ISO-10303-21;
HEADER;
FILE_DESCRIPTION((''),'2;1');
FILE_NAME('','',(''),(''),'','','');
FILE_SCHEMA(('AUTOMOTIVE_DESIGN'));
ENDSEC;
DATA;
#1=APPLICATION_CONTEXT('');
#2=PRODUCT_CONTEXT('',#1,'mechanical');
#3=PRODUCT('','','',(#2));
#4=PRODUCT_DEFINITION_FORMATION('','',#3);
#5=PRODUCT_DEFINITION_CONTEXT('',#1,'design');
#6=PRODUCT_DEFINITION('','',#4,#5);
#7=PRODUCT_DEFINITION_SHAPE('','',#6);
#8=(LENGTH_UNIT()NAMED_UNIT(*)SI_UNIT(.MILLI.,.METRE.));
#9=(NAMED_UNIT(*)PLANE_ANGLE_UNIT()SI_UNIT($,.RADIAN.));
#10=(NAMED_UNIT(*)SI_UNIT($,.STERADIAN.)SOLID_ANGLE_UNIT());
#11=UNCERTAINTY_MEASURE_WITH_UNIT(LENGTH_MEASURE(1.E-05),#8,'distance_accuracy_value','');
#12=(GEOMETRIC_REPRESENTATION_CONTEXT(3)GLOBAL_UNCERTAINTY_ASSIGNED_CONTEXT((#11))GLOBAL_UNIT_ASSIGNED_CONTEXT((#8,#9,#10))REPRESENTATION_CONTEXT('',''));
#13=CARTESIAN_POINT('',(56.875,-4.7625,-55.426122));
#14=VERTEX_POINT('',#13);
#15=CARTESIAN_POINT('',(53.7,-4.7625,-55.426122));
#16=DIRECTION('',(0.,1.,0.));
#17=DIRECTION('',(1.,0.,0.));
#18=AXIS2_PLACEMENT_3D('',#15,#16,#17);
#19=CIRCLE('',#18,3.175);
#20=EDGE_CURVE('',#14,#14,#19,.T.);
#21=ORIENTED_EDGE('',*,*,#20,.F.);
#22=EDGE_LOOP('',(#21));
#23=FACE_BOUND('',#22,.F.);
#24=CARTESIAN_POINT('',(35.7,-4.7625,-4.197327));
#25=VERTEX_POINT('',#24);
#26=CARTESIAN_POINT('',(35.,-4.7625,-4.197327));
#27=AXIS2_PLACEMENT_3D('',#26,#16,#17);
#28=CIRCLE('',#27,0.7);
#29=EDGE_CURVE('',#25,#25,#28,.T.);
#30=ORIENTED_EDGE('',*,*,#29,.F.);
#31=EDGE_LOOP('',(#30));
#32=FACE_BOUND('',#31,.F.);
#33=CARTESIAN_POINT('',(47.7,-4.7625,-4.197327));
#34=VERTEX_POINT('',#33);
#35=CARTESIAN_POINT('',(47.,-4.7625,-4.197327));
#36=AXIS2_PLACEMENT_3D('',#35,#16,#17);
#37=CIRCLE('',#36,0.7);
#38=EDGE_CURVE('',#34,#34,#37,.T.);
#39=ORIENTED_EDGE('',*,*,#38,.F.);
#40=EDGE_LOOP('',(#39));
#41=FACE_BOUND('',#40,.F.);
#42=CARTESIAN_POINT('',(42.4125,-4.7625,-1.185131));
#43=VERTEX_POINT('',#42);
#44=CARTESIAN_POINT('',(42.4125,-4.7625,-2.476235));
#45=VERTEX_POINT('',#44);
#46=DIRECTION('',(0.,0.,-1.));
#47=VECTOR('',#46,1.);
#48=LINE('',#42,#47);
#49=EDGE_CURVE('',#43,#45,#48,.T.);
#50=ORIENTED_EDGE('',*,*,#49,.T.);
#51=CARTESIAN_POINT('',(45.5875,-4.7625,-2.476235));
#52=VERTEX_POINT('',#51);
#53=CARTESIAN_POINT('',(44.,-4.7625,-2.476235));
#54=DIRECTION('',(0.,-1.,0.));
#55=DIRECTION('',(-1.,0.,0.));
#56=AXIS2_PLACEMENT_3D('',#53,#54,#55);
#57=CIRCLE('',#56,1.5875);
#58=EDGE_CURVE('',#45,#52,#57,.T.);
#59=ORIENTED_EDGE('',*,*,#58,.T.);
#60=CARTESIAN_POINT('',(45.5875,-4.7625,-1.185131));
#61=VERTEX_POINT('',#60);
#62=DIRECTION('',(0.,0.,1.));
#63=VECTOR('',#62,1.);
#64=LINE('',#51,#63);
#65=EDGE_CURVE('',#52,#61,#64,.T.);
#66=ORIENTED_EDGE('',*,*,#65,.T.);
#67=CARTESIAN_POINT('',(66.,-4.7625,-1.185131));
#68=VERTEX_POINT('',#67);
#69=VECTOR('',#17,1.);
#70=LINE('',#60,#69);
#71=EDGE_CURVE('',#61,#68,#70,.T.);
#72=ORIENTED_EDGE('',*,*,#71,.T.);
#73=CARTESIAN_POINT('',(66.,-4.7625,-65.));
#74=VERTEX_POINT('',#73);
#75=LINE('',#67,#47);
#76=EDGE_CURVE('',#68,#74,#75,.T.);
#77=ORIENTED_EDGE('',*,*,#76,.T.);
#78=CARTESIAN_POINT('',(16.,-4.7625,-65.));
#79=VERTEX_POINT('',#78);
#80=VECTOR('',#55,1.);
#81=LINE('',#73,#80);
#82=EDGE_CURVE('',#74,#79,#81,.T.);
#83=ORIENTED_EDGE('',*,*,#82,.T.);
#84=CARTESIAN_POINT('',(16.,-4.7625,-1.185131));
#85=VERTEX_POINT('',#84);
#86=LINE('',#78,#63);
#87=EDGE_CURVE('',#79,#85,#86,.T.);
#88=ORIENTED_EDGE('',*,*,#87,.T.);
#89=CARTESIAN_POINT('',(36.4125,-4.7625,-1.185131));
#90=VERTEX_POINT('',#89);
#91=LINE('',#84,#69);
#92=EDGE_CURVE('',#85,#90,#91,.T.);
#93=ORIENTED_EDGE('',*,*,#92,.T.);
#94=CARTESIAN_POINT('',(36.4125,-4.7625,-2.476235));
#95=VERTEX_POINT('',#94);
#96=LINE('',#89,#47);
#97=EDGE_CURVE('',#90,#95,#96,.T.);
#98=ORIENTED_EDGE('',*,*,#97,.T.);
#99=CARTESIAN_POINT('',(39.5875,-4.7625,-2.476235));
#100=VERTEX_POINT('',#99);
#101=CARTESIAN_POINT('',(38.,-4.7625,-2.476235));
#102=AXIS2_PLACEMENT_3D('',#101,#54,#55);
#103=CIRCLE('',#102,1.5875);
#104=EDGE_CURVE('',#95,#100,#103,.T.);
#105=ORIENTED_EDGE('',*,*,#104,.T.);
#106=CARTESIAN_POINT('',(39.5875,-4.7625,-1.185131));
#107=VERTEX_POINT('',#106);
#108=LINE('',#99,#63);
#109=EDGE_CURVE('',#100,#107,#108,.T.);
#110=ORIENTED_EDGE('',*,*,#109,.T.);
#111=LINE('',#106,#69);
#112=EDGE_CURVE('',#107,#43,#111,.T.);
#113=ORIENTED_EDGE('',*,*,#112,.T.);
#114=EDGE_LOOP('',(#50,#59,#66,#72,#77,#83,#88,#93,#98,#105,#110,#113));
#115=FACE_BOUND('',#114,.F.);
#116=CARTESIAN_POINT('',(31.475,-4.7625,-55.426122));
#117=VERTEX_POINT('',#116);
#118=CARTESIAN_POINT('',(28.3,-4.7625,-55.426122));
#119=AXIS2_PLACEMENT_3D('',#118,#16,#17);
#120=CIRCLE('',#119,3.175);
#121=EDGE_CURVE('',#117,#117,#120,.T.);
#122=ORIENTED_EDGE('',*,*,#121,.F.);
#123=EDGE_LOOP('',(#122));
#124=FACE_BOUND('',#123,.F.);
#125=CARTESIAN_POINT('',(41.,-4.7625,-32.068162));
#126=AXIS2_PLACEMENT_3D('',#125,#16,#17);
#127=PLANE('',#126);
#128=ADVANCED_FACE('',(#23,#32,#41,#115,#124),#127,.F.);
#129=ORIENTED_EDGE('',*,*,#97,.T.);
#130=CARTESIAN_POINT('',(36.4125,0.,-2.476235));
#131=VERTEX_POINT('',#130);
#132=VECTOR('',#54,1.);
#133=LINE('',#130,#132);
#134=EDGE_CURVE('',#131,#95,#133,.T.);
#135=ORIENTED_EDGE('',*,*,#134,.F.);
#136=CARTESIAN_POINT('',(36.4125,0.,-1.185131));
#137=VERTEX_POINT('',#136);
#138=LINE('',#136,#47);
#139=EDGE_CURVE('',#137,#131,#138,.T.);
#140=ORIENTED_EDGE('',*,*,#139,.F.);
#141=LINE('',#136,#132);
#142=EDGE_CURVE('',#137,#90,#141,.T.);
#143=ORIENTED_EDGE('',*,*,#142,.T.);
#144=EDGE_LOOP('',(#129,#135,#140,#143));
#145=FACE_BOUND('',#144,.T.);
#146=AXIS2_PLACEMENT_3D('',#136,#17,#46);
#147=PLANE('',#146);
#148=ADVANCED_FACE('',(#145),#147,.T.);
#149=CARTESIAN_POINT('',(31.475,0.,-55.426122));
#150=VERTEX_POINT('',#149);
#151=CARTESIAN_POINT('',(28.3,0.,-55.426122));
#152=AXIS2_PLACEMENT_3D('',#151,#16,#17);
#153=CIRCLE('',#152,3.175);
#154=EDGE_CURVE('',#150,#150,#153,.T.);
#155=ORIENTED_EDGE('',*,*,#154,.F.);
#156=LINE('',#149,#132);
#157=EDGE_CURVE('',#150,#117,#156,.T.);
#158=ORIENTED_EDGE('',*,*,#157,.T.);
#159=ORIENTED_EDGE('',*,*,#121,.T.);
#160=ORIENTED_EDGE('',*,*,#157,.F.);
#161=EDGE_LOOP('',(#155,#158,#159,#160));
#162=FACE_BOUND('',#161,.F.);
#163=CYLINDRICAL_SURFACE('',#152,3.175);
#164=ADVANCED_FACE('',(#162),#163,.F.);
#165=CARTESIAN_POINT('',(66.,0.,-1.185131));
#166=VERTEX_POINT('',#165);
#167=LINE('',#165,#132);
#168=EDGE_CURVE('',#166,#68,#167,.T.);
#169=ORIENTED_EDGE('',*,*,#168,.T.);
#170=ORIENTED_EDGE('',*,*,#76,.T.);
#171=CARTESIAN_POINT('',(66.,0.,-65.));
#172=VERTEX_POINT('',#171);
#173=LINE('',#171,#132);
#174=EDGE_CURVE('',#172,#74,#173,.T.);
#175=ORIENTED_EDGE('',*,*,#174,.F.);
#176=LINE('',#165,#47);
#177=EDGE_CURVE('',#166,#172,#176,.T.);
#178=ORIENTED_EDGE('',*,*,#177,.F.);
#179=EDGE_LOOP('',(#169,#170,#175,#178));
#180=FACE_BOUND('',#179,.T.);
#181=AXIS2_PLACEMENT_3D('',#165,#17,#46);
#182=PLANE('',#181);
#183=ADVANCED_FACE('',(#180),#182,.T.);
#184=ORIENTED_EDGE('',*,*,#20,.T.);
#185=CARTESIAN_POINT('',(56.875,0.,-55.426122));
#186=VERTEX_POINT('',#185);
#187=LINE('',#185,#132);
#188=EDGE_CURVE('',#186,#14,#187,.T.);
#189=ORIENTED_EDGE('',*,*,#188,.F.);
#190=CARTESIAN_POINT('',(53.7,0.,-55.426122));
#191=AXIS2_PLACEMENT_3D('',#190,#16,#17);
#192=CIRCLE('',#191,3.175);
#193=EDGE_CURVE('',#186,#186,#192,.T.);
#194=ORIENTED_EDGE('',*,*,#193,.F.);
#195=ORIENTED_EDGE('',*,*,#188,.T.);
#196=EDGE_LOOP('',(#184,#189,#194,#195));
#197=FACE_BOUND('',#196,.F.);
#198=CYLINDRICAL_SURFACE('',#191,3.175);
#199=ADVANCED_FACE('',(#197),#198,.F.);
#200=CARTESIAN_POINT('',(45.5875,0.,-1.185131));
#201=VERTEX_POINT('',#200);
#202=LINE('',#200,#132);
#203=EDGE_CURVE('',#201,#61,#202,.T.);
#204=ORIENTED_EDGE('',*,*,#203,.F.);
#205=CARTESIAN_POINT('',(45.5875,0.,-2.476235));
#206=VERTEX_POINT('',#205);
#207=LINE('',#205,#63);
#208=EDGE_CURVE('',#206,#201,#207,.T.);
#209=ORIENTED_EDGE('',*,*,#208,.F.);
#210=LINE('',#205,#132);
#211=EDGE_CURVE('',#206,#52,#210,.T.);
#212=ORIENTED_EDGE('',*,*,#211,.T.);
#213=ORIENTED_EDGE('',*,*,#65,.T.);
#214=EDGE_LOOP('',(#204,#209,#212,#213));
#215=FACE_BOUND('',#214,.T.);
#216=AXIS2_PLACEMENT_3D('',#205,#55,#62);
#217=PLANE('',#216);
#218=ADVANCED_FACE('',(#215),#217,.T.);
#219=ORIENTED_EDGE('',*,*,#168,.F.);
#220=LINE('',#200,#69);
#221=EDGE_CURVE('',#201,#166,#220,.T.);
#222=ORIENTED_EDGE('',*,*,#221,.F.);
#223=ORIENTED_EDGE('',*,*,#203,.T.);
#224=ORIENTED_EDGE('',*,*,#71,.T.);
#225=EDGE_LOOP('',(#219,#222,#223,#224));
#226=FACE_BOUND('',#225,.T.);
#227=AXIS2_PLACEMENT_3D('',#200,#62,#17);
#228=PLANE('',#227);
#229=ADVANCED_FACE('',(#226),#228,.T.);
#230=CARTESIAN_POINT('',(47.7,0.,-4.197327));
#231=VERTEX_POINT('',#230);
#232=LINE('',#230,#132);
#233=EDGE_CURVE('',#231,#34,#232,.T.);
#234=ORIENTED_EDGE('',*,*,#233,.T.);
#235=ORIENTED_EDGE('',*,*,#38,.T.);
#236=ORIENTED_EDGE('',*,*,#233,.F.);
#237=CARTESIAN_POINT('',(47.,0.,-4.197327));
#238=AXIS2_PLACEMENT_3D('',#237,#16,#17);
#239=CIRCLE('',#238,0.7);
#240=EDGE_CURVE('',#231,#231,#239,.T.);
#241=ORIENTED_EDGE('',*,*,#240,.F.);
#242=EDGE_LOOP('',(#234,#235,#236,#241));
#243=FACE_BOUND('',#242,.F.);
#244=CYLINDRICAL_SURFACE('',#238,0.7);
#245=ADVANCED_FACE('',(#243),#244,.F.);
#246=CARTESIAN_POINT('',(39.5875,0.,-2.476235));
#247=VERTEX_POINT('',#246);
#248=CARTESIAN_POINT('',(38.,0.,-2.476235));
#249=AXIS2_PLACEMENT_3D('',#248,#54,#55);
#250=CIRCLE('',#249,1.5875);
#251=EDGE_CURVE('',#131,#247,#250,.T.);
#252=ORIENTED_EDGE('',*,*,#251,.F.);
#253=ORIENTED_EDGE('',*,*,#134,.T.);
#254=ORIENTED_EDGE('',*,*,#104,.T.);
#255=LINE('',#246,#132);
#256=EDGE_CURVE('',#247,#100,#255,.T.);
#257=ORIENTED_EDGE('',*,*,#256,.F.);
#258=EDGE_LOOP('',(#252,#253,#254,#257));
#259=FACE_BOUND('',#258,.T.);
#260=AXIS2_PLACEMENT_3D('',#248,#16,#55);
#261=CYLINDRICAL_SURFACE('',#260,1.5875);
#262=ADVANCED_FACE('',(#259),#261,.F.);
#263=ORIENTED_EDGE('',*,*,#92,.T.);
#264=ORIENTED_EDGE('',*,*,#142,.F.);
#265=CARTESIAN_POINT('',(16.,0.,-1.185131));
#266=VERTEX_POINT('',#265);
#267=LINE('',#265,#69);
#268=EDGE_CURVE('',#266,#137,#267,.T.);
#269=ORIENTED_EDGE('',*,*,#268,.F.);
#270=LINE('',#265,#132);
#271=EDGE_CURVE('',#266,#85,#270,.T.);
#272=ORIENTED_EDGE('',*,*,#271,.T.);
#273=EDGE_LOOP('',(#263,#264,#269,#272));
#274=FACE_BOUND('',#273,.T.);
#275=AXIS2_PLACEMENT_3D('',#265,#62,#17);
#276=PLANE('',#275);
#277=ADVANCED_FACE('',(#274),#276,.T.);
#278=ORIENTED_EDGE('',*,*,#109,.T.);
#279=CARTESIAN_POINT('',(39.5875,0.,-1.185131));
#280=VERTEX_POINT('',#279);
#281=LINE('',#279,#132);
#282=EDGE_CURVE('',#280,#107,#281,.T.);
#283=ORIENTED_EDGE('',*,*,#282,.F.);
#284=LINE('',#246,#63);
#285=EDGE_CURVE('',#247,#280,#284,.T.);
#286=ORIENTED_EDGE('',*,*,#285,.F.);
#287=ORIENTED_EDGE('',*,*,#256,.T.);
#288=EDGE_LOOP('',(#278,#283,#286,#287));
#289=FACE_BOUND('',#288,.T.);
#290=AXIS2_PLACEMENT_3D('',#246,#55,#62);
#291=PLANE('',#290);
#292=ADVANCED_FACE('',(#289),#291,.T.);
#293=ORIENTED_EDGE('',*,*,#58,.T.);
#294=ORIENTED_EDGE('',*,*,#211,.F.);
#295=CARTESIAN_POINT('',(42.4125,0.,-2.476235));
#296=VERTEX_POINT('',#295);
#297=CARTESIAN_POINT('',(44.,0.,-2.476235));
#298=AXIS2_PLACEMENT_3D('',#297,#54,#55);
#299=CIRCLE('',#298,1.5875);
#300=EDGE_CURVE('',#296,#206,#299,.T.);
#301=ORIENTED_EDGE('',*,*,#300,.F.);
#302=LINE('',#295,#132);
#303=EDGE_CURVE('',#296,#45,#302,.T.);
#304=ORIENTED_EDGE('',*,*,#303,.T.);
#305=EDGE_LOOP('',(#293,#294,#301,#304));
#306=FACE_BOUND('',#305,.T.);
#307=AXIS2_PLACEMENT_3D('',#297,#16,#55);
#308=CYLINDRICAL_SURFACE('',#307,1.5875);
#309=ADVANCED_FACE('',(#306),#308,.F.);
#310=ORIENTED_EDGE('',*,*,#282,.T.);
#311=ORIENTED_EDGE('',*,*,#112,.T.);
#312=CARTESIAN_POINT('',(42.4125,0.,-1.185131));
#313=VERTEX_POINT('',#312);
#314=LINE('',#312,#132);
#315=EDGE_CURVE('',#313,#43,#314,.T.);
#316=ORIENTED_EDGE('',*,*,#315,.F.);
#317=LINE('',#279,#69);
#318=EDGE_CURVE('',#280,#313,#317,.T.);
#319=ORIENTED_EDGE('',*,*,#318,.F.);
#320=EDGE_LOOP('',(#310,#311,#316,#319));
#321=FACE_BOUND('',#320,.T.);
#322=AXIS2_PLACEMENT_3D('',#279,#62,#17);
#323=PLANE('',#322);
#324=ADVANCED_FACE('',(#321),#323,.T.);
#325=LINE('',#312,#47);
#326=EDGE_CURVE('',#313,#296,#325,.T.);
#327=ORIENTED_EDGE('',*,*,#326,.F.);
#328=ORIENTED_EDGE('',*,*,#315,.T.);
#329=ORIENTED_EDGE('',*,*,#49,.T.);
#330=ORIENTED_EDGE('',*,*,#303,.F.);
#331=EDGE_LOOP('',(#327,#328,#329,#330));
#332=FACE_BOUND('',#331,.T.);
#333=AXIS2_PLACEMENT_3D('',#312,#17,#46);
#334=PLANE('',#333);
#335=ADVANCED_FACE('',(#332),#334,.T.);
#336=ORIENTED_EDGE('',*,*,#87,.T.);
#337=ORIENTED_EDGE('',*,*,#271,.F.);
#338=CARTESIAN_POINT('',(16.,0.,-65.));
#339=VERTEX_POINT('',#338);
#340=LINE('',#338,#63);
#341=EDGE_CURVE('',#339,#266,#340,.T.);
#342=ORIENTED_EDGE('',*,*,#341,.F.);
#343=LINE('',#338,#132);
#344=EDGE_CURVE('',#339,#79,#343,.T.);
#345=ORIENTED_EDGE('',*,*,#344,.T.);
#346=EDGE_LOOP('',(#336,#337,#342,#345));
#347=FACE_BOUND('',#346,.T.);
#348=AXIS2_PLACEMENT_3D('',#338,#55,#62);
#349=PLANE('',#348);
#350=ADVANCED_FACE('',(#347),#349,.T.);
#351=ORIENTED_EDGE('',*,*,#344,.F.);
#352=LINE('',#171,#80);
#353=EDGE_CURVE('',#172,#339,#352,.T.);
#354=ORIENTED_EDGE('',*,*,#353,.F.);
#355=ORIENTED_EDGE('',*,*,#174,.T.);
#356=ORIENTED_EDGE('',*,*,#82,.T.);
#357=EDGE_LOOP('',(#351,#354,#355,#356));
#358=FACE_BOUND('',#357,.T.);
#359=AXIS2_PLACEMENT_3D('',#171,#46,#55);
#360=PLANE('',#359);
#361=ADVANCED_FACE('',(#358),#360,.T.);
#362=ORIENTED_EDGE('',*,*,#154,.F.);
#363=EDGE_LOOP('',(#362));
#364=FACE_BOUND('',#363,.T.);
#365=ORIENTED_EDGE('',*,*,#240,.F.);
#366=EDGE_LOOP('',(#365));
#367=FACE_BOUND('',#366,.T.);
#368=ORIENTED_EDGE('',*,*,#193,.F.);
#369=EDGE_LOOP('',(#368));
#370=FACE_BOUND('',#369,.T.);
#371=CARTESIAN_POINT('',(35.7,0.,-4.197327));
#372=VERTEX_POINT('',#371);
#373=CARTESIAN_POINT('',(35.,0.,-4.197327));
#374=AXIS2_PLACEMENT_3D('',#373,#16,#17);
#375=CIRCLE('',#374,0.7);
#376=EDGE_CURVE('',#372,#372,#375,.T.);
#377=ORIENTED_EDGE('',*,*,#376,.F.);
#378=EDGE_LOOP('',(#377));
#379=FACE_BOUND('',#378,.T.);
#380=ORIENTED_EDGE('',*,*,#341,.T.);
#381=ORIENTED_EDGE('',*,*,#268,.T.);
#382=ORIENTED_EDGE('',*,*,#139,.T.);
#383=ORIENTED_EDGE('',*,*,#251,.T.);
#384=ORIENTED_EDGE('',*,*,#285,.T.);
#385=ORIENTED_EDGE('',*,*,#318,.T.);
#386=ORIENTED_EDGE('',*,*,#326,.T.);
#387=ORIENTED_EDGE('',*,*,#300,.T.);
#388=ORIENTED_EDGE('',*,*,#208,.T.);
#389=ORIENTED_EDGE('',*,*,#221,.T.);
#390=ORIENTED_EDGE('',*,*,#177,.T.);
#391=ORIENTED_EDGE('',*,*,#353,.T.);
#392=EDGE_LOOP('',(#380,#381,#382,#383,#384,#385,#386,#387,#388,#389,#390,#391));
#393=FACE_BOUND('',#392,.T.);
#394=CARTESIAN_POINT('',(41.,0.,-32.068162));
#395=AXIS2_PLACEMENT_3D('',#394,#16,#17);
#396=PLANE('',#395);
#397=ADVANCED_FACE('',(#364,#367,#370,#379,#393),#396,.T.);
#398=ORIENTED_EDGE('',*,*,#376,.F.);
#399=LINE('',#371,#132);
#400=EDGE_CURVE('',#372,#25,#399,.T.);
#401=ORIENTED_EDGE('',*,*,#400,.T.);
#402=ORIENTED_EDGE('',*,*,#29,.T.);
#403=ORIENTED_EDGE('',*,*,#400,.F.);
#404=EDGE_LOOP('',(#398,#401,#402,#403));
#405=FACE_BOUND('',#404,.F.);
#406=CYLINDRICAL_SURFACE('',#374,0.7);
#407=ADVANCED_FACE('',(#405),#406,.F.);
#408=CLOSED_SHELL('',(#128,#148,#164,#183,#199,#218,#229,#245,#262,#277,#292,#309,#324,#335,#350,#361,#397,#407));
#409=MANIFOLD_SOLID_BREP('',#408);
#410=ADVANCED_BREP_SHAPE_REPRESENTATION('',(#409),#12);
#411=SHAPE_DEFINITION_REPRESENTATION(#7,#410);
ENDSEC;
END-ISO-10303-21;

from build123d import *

# Parameters (mm, degrees)
SKETCH1_R           = 0.7
SKETCH1_R_2         = 3.175
BOSS_EXTRUDE1_DEPTH = 4.7625


with BuildPart() as part:
    # Sketch1 → Boss-Extrude1 (new body)
    with BuildSketch(Plane(origin=(0, 0, 0), x_dir=(1, 0, 0), z_dir=(0, 1, 0))):
        with BuildLine():
            Line((16, 1.185131266), (36.4125, 1.185131266))
            Line((36.4125, 1.185131266), (36.4125, 2.47623548))
            ThreePointArc((36.4125, 2.47623548), (38, 4.06373548), (39.5875, 2.47623548))
            Line((39.5875, 2.47623548), (39.5875, 1.185131266))
            Line((39.5875, 1.185131266), (42.4125, 1.185131266))
            Line((42.4125, 1.185131266), (42.4125, 2.47623548))
            ThreePointArc((42.4125, 2.47623548), (44, 4.06373548), (45.5875, 2.47623548))
            Line((45.5875, 2.47623548), (45.5875, 1.185131266))
            Line((45.5875, 1.185131266), (66, 1.185131266))
            Line((66, 1.185131266), (66, 65))
            Line((66, 65), (16, 65))
            Line((16, 65), (16, 1.185131266))
        make_face()
        with Locations((35, 4.197327459)):
            Circle(SKETCH1_R, mode=Mode.SUBTRACT)
        with Locations((53.7, 55.426122104)):
            Circle(SKETCH1_R_2, mode=Mode.SUBTRACT)
        with Locations((28.3, 55.426122104)):
            Circle(SKETCH1_R_2, mode=Mode.SUBTRACT)
        with Locations((47, 4.197327459)):
            Circle(SKETCH1_R, mode=Mode.SUBTRACT)
    extrude(amount=-BOSS_EXTRUDE1_DEPTH)


solid = part.part
